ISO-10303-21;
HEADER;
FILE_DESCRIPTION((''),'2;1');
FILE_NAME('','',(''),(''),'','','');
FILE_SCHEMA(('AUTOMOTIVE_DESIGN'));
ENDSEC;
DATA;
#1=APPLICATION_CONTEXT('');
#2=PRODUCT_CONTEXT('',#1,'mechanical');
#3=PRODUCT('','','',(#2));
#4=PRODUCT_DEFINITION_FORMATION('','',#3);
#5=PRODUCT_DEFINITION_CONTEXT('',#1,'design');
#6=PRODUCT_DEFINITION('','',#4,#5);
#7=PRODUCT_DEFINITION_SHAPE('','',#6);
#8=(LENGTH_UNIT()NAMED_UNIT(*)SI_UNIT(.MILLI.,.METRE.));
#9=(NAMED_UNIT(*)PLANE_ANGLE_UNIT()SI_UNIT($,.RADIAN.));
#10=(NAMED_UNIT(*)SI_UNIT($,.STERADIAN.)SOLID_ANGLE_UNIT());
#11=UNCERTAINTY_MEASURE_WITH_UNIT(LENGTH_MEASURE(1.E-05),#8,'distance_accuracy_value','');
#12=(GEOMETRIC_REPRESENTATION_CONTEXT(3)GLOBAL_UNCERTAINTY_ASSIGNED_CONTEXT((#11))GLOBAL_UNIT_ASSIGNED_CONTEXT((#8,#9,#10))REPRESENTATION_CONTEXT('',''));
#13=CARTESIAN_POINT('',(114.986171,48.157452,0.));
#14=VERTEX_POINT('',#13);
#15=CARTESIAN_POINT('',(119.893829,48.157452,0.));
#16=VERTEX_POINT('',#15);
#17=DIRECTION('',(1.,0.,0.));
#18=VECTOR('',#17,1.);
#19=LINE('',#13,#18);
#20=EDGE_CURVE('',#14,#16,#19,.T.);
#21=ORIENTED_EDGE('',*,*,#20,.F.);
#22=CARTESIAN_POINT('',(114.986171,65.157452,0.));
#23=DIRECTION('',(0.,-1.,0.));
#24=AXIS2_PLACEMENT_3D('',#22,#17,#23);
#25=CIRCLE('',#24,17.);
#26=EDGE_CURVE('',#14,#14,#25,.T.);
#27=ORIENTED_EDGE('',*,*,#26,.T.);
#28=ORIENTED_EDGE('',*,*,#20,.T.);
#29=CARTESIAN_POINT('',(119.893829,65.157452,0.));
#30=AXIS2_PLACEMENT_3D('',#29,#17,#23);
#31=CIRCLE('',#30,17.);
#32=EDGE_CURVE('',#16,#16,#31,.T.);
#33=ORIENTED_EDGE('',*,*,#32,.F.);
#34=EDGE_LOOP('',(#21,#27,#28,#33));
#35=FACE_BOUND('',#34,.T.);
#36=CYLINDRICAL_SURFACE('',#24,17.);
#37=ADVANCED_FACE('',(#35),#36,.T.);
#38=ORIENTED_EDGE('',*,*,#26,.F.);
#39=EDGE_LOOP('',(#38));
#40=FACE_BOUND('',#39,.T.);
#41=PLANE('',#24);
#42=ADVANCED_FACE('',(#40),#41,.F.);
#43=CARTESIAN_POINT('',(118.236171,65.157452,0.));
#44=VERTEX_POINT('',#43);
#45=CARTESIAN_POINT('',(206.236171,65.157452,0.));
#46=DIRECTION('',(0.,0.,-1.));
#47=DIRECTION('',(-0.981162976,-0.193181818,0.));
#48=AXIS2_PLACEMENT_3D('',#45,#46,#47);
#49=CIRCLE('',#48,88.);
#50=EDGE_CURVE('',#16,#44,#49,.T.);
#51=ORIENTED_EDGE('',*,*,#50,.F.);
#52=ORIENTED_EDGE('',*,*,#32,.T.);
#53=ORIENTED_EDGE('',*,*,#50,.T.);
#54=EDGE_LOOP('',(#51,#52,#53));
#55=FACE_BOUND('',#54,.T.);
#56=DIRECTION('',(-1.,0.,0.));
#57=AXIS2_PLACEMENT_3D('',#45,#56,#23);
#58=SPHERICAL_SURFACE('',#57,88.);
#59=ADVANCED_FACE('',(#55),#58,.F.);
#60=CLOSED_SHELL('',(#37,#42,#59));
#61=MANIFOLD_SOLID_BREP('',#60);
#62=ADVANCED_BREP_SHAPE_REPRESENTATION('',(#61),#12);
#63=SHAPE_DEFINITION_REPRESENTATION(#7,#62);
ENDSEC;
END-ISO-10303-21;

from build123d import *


with BuildPart() as part:
    # 草图1 → 旋转1 (revolve)
    with BuildSketch(Plane.XY, mode=Mode.PRIVATE) as revolve_1_sk:
        with BuildLine():
            Line((114.986171093, 65.157451827), (114.986171093, 82.157451827))
            Line((114.986171093, 82.157451827), (119.893829221, 82.157451827))
            ThreePointArc((119.893829221, 82.157451827), (118.65156604, 73.697765499), (118.236171093, 65.157451827))
            Line((118.236171093, 65.157451827), (114.986171093, 65.157451827))
        make_face()
    revolve(revolve_1_sk.sketch.rotate(Axis((110.014789249, 65.157451827, 0), (1, 0, 0)), 180), axis=Axis((110.014789249, 65.157451827, 0), (1, 0, 0)))  # turned: the seam where the file's is


solid = part.part
